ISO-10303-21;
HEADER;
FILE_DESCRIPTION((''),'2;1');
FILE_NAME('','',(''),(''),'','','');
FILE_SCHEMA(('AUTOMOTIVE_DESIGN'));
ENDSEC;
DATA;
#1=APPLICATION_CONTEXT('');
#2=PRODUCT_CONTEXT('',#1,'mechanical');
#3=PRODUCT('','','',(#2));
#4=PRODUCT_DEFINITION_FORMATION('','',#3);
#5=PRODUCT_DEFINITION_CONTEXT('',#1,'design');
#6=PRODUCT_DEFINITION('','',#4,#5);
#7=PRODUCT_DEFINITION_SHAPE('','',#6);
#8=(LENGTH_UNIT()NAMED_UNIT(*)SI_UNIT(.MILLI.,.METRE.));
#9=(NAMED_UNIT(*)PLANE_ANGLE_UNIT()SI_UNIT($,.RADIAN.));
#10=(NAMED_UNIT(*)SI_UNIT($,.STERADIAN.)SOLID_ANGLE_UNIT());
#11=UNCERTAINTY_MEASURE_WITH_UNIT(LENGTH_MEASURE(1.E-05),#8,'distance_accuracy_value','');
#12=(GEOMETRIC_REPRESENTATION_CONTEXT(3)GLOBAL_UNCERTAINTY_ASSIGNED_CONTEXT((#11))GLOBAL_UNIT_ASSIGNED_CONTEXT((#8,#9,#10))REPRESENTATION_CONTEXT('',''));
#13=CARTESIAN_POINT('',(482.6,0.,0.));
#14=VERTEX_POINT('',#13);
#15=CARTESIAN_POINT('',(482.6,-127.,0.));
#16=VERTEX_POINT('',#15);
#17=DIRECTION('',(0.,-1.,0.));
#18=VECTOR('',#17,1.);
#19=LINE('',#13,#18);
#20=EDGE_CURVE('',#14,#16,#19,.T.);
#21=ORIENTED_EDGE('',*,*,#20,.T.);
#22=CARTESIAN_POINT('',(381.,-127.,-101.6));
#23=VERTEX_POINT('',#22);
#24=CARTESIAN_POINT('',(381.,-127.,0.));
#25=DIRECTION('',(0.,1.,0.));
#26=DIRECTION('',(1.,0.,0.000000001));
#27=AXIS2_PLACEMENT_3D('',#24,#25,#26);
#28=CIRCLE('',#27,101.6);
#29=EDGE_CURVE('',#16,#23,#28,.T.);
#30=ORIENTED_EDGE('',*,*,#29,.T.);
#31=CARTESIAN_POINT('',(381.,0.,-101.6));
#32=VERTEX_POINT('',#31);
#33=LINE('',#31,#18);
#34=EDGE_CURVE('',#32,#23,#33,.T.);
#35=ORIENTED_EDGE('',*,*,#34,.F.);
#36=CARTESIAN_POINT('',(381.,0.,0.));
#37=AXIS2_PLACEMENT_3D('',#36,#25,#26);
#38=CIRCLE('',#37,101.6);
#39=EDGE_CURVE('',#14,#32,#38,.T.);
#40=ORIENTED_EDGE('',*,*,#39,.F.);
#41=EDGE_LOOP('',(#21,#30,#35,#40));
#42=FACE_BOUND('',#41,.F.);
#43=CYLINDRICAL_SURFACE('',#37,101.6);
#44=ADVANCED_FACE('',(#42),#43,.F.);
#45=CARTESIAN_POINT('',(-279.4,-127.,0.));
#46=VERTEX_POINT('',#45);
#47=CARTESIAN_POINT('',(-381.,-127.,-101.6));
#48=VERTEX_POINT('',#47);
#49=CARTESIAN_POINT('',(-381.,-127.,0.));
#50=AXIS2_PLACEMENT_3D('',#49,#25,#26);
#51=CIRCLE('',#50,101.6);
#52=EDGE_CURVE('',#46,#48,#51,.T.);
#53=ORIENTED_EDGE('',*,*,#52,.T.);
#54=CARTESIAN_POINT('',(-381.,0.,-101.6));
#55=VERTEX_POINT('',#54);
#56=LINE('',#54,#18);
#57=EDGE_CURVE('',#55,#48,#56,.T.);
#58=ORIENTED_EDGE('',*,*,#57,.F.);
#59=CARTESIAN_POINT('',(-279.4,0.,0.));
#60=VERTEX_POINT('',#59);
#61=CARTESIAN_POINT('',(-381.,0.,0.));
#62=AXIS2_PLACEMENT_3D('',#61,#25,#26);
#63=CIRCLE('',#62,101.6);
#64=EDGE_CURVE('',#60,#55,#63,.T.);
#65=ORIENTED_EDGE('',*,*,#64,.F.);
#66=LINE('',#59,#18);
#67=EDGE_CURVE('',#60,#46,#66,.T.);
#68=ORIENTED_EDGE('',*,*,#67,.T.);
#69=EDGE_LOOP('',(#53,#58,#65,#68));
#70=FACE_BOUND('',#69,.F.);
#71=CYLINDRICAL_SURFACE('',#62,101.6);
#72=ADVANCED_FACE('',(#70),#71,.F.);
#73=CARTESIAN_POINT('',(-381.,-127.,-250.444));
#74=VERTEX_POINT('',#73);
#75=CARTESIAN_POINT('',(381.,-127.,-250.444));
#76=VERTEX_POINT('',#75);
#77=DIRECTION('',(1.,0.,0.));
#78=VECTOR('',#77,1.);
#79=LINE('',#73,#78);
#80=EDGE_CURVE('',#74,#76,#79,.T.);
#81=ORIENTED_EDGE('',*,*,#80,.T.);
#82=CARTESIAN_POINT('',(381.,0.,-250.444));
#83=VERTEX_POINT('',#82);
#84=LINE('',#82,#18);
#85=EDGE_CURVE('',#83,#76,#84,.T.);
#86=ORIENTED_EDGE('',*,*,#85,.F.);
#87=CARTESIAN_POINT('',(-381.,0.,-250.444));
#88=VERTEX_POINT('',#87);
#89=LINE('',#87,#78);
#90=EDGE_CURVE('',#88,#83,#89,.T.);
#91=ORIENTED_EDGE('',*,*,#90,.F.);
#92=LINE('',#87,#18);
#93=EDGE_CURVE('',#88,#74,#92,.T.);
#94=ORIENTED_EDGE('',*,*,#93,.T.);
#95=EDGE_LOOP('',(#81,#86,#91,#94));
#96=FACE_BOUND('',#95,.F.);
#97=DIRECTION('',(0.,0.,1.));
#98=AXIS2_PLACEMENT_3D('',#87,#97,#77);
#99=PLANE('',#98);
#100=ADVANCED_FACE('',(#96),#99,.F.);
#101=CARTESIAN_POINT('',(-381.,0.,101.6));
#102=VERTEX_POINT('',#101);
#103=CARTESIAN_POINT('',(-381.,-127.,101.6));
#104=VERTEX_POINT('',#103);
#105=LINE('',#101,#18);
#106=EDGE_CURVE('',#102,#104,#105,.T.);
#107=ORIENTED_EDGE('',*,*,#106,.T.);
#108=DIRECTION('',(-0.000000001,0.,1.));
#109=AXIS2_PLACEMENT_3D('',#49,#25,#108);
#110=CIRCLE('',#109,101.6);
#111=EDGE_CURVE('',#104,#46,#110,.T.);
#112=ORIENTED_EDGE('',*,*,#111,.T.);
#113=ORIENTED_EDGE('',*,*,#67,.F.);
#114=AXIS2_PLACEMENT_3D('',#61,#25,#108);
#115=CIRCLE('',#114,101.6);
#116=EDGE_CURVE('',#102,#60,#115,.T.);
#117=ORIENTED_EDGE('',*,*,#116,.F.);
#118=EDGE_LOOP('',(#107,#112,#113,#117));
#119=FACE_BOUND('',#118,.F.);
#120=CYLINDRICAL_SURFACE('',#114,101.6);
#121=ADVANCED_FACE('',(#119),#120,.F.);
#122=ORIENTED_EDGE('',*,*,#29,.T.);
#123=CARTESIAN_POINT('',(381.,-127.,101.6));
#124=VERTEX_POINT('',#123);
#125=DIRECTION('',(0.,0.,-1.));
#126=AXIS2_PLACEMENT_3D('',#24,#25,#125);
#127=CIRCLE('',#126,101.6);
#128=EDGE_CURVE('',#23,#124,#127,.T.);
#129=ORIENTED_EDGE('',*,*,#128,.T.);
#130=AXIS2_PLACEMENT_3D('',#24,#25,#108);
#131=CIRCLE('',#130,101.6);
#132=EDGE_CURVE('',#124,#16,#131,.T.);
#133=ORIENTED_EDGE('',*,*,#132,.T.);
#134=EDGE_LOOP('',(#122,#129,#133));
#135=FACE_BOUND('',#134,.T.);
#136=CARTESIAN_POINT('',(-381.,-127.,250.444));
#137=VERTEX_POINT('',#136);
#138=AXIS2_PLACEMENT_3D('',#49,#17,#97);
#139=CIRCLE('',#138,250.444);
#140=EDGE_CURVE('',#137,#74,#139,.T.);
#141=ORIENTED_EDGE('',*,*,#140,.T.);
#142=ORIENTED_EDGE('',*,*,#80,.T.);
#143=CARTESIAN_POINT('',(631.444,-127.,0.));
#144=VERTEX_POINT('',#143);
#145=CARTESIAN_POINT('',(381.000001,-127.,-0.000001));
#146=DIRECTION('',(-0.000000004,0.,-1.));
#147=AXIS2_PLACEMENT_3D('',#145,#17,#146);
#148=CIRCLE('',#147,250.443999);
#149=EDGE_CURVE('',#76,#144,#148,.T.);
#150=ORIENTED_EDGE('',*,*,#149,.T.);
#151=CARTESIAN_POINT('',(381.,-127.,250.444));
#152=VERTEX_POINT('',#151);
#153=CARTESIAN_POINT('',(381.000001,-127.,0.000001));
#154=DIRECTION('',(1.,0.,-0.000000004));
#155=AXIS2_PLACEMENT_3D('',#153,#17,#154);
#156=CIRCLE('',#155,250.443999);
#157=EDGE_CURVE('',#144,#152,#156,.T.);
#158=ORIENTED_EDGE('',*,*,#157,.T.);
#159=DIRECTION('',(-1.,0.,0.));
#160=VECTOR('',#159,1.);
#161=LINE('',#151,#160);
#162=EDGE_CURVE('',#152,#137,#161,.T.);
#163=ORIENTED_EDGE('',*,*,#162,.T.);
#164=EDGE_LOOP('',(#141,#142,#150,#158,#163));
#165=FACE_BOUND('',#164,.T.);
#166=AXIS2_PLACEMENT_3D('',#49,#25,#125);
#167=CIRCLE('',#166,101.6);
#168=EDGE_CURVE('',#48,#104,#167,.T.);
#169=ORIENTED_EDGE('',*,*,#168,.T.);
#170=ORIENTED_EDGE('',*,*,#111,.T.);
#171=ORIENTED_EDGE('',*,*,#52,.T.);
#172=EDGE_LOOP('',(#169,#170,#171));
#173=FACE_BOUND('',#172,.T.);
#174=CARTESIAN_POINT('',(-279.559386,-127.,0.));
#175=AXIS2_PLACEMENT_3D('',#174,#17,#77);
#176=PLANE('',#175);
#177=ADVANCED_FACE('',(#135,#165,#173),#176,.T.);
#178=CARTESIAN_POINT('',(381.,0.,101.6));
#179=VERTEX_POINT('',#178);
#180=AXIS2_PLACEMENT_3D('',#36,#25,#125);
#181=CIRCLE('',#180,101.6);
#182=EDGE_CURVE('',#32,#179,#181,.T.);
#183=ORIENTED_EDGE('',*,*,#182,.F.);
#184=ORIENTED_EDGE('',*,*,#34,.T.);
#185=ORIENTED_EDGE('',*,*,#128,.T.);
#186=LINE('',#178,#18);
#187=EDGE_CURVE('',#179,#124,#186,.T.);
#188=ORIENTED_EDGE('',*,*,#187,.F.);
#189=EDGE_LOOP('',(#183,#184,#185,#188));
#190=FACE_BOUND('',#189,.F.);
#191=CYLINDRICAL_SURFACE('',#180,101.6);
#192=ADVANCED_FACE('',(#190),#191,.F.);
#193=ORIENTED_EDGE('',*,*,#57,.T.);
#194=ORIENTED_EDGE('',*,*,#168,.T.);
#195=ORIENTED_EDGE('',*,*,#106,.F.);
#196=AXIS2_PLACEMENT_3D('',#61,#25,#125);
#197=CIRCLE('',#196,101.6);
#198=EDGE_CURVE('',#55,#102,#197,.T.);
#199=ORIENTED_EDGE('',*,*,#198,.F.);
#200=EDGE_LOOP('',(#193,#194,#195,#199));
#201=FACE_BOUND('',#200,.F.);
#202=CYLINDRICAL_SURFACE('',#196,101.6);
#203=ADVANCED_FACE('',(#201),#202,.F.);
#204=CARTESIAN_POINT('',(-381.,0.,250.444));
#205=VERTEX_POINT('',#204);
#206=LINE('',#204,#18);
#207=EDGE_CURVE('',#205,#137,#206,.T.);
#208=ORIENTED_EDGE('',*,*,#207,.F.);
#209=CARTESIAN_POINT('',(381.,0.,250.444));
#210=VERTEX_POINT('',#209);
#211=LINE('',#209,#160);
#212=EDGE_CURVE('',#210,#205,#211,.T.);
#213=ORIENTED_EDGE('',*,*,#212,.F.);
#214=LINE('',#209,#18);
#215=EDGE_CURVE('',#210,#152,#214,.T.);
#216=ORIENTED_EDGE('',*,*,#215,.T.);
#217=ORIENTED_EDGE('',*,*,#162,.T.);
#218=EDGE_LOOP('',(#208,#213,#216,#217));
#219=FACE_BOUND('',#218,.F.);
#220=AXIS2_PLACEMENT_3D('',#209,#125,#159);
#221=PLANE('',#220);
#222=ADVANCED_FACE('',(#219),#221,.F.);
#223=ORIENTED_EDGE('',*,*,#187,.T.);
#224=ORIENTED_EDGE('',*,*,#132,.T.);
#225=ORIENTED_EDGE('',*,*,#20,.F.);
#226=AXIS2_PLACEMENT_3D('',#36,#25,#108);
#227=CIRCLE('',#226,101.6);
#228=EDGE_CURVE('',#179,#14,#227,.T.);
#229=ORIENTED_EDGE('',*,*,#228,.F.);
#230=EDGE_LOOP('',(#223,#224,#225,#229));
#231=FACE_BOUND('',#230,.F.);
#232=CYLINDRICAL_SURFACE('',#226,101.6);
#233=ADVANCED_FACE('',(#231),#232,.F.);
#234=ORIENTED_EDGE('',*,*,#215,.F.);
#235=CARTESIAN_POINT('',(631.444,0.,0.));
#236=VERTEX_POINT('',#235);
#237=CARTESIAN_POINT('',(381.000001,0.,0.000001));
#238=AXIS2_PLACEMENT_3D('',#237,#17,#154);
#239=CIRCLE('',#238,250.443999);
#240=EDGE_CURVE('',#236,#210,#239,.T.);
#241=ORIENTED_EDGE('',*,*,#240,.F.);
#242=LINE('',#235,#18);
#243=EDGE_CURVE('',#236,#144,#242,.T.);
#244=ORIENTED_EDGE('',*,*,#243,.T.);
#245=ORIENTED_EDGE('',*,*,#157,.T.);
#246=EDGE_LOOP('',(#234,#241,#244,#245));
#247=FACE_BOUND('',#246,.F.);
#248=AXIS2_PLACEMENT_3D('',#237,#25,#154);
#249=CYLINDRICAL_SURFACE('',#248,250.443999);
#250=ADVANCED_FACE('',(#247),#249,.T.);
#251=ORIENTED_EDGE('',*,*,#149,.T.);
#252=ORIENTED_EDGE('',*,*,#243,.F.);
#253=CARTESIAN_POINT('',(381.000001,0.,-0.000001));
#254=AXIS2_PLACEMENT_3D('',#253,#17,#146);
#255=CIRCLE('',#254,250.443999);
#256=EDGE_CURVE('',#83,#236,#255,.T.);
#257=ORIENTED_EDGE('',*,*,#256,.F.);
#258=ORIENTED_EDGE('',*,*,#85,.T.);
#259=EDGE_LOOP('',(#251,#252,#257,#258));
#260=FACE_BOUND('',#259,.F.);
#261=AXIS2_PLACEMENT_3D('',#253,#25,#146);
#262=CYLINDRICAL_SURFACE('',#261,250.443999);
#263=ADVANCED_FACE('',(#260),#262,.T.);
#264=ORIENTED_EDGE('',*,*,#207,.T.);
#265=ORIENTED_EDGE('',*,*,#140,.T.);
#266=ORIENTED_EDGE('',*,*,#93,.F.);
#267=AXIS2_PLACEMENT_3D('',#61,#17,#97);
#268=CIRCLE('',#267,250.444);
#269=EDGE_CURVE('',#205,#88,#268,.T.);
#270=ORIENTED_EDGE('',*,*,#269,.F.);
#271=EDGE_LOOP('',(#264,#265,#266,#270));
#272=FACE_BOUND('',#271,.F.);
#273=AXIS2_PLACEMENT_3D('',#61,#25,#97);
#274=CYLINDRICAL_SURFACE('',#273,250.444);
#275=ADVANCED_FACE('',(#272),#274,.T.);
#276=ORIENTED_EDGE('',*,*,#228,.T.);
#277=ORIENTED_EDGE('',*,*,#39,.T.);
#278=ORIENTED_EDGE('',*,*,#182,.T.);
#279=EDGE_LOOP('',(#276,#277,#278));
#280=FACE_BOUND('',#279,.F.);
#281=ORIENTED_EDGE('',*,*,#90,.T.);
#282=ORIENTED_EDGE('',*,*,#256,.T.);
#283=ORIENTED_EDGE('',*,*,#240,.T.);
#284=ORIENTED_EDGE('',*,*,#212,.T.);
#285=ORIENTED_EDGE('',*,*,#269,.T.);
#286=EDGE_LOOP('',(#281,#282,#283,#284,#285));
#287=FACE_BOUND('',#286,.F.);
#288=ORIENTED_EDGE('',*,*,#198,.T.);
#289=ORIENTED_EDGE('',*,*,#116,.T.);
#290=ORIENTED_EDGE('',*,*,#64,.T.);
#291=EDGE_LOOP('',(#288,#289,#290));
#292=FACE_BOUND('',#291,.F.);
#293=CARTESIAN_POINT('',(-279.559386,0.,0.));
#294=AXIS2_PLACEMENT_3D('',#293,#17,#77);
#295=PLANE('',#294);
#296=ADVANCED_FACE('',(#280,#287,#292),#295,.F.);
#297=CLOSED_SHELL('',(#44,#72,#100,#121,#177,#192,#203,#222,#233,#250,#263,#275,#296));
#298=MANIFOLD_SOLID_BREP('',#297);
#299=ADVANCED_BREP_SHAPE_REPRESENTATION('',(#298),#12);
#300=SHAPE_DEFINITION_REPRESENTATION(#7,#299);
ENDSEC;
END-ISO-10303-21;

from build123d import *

# Parameters (mm, degrees)
F1_DEPTH = 127


with BuildPart() as f1:
    # F0 (on Front) → F1 (new body)
    with BuildSketch(Plane.XZ):
        with BuildLine():
            ThreePointArc((-130.556, 0), (-203.909349, 177.090651), (-381, 250.444))
            Line((-381, 250.444), (-381, 101.6))
            ThreePointArc((-381, 101.6), (-309.157951, 71.842049), (-279.4, 0))
            ThreePointArc((-279.4, 0), (-309.157951, -71.842049), (-381, -101.6))
            Line((-381, -101.6), (-381, -250.444))
            ThreePointArc((-381, -250.444), (-203.909349, -177.090651), (-130.556, 0))
        make_face()
        with BuildLine():
            Line((-381, 101.6), (-381, 250.444))
            ThreePointArc((-381, 250.444), (-631.444, 0), (-381, -250.444))
            Line((-381, -250.444), (-381, -101.6))
            ThreePointArc((-381, -101.6), (-482.6, 0), (-381, 101.6))
        make_face()
        with BuildLine():
            Line((381, 250.444), (-381, 250.444))
            ThreePointArc((-381, 250.444), (-203.909349, 177.090651), (-130.556, 0))
            ThreePointArc((-130.556, 0), (-203.909349, -177.090651), (-381, -250.444))
            Line((-381, -250.444), (381, -250.444))
            ThreePointArc((381, -250.444), (130.556, 0), (381, 250.444))
        make_face()
        with BuildLine():
            ThreePointArc((631.444, 0), (558.090651, 177.090651), (381, 250.444))
            Line((381, 250.444), (381, 101.6))
            ThreePointArc((381, 101.6), (452.842049, 71.842049), (482.6, 0))
            ThreePointArc((482.6, 0), (452.842049, -71.842049), (381, -101.6))
            Line((381, -101.6), (381, -250.444))
            ThreePointArc((381, -250.444), (558.090651, -177.090651), (631.444, 0))
        make_face()
        with BuildLine():
            Line((381, 101.6), (381, 250.444))
            ThreePointArc((381, 250.444), (130.556, 0), (381, -250.444))
            Line((381, -250.444), (381, -101.6))
            ThreePointArc((381, -101.6), (279.4, 0), (381, 101.6))
        make_face()
    extrude(amount=F1_DEPTH)


solid = f1.part
